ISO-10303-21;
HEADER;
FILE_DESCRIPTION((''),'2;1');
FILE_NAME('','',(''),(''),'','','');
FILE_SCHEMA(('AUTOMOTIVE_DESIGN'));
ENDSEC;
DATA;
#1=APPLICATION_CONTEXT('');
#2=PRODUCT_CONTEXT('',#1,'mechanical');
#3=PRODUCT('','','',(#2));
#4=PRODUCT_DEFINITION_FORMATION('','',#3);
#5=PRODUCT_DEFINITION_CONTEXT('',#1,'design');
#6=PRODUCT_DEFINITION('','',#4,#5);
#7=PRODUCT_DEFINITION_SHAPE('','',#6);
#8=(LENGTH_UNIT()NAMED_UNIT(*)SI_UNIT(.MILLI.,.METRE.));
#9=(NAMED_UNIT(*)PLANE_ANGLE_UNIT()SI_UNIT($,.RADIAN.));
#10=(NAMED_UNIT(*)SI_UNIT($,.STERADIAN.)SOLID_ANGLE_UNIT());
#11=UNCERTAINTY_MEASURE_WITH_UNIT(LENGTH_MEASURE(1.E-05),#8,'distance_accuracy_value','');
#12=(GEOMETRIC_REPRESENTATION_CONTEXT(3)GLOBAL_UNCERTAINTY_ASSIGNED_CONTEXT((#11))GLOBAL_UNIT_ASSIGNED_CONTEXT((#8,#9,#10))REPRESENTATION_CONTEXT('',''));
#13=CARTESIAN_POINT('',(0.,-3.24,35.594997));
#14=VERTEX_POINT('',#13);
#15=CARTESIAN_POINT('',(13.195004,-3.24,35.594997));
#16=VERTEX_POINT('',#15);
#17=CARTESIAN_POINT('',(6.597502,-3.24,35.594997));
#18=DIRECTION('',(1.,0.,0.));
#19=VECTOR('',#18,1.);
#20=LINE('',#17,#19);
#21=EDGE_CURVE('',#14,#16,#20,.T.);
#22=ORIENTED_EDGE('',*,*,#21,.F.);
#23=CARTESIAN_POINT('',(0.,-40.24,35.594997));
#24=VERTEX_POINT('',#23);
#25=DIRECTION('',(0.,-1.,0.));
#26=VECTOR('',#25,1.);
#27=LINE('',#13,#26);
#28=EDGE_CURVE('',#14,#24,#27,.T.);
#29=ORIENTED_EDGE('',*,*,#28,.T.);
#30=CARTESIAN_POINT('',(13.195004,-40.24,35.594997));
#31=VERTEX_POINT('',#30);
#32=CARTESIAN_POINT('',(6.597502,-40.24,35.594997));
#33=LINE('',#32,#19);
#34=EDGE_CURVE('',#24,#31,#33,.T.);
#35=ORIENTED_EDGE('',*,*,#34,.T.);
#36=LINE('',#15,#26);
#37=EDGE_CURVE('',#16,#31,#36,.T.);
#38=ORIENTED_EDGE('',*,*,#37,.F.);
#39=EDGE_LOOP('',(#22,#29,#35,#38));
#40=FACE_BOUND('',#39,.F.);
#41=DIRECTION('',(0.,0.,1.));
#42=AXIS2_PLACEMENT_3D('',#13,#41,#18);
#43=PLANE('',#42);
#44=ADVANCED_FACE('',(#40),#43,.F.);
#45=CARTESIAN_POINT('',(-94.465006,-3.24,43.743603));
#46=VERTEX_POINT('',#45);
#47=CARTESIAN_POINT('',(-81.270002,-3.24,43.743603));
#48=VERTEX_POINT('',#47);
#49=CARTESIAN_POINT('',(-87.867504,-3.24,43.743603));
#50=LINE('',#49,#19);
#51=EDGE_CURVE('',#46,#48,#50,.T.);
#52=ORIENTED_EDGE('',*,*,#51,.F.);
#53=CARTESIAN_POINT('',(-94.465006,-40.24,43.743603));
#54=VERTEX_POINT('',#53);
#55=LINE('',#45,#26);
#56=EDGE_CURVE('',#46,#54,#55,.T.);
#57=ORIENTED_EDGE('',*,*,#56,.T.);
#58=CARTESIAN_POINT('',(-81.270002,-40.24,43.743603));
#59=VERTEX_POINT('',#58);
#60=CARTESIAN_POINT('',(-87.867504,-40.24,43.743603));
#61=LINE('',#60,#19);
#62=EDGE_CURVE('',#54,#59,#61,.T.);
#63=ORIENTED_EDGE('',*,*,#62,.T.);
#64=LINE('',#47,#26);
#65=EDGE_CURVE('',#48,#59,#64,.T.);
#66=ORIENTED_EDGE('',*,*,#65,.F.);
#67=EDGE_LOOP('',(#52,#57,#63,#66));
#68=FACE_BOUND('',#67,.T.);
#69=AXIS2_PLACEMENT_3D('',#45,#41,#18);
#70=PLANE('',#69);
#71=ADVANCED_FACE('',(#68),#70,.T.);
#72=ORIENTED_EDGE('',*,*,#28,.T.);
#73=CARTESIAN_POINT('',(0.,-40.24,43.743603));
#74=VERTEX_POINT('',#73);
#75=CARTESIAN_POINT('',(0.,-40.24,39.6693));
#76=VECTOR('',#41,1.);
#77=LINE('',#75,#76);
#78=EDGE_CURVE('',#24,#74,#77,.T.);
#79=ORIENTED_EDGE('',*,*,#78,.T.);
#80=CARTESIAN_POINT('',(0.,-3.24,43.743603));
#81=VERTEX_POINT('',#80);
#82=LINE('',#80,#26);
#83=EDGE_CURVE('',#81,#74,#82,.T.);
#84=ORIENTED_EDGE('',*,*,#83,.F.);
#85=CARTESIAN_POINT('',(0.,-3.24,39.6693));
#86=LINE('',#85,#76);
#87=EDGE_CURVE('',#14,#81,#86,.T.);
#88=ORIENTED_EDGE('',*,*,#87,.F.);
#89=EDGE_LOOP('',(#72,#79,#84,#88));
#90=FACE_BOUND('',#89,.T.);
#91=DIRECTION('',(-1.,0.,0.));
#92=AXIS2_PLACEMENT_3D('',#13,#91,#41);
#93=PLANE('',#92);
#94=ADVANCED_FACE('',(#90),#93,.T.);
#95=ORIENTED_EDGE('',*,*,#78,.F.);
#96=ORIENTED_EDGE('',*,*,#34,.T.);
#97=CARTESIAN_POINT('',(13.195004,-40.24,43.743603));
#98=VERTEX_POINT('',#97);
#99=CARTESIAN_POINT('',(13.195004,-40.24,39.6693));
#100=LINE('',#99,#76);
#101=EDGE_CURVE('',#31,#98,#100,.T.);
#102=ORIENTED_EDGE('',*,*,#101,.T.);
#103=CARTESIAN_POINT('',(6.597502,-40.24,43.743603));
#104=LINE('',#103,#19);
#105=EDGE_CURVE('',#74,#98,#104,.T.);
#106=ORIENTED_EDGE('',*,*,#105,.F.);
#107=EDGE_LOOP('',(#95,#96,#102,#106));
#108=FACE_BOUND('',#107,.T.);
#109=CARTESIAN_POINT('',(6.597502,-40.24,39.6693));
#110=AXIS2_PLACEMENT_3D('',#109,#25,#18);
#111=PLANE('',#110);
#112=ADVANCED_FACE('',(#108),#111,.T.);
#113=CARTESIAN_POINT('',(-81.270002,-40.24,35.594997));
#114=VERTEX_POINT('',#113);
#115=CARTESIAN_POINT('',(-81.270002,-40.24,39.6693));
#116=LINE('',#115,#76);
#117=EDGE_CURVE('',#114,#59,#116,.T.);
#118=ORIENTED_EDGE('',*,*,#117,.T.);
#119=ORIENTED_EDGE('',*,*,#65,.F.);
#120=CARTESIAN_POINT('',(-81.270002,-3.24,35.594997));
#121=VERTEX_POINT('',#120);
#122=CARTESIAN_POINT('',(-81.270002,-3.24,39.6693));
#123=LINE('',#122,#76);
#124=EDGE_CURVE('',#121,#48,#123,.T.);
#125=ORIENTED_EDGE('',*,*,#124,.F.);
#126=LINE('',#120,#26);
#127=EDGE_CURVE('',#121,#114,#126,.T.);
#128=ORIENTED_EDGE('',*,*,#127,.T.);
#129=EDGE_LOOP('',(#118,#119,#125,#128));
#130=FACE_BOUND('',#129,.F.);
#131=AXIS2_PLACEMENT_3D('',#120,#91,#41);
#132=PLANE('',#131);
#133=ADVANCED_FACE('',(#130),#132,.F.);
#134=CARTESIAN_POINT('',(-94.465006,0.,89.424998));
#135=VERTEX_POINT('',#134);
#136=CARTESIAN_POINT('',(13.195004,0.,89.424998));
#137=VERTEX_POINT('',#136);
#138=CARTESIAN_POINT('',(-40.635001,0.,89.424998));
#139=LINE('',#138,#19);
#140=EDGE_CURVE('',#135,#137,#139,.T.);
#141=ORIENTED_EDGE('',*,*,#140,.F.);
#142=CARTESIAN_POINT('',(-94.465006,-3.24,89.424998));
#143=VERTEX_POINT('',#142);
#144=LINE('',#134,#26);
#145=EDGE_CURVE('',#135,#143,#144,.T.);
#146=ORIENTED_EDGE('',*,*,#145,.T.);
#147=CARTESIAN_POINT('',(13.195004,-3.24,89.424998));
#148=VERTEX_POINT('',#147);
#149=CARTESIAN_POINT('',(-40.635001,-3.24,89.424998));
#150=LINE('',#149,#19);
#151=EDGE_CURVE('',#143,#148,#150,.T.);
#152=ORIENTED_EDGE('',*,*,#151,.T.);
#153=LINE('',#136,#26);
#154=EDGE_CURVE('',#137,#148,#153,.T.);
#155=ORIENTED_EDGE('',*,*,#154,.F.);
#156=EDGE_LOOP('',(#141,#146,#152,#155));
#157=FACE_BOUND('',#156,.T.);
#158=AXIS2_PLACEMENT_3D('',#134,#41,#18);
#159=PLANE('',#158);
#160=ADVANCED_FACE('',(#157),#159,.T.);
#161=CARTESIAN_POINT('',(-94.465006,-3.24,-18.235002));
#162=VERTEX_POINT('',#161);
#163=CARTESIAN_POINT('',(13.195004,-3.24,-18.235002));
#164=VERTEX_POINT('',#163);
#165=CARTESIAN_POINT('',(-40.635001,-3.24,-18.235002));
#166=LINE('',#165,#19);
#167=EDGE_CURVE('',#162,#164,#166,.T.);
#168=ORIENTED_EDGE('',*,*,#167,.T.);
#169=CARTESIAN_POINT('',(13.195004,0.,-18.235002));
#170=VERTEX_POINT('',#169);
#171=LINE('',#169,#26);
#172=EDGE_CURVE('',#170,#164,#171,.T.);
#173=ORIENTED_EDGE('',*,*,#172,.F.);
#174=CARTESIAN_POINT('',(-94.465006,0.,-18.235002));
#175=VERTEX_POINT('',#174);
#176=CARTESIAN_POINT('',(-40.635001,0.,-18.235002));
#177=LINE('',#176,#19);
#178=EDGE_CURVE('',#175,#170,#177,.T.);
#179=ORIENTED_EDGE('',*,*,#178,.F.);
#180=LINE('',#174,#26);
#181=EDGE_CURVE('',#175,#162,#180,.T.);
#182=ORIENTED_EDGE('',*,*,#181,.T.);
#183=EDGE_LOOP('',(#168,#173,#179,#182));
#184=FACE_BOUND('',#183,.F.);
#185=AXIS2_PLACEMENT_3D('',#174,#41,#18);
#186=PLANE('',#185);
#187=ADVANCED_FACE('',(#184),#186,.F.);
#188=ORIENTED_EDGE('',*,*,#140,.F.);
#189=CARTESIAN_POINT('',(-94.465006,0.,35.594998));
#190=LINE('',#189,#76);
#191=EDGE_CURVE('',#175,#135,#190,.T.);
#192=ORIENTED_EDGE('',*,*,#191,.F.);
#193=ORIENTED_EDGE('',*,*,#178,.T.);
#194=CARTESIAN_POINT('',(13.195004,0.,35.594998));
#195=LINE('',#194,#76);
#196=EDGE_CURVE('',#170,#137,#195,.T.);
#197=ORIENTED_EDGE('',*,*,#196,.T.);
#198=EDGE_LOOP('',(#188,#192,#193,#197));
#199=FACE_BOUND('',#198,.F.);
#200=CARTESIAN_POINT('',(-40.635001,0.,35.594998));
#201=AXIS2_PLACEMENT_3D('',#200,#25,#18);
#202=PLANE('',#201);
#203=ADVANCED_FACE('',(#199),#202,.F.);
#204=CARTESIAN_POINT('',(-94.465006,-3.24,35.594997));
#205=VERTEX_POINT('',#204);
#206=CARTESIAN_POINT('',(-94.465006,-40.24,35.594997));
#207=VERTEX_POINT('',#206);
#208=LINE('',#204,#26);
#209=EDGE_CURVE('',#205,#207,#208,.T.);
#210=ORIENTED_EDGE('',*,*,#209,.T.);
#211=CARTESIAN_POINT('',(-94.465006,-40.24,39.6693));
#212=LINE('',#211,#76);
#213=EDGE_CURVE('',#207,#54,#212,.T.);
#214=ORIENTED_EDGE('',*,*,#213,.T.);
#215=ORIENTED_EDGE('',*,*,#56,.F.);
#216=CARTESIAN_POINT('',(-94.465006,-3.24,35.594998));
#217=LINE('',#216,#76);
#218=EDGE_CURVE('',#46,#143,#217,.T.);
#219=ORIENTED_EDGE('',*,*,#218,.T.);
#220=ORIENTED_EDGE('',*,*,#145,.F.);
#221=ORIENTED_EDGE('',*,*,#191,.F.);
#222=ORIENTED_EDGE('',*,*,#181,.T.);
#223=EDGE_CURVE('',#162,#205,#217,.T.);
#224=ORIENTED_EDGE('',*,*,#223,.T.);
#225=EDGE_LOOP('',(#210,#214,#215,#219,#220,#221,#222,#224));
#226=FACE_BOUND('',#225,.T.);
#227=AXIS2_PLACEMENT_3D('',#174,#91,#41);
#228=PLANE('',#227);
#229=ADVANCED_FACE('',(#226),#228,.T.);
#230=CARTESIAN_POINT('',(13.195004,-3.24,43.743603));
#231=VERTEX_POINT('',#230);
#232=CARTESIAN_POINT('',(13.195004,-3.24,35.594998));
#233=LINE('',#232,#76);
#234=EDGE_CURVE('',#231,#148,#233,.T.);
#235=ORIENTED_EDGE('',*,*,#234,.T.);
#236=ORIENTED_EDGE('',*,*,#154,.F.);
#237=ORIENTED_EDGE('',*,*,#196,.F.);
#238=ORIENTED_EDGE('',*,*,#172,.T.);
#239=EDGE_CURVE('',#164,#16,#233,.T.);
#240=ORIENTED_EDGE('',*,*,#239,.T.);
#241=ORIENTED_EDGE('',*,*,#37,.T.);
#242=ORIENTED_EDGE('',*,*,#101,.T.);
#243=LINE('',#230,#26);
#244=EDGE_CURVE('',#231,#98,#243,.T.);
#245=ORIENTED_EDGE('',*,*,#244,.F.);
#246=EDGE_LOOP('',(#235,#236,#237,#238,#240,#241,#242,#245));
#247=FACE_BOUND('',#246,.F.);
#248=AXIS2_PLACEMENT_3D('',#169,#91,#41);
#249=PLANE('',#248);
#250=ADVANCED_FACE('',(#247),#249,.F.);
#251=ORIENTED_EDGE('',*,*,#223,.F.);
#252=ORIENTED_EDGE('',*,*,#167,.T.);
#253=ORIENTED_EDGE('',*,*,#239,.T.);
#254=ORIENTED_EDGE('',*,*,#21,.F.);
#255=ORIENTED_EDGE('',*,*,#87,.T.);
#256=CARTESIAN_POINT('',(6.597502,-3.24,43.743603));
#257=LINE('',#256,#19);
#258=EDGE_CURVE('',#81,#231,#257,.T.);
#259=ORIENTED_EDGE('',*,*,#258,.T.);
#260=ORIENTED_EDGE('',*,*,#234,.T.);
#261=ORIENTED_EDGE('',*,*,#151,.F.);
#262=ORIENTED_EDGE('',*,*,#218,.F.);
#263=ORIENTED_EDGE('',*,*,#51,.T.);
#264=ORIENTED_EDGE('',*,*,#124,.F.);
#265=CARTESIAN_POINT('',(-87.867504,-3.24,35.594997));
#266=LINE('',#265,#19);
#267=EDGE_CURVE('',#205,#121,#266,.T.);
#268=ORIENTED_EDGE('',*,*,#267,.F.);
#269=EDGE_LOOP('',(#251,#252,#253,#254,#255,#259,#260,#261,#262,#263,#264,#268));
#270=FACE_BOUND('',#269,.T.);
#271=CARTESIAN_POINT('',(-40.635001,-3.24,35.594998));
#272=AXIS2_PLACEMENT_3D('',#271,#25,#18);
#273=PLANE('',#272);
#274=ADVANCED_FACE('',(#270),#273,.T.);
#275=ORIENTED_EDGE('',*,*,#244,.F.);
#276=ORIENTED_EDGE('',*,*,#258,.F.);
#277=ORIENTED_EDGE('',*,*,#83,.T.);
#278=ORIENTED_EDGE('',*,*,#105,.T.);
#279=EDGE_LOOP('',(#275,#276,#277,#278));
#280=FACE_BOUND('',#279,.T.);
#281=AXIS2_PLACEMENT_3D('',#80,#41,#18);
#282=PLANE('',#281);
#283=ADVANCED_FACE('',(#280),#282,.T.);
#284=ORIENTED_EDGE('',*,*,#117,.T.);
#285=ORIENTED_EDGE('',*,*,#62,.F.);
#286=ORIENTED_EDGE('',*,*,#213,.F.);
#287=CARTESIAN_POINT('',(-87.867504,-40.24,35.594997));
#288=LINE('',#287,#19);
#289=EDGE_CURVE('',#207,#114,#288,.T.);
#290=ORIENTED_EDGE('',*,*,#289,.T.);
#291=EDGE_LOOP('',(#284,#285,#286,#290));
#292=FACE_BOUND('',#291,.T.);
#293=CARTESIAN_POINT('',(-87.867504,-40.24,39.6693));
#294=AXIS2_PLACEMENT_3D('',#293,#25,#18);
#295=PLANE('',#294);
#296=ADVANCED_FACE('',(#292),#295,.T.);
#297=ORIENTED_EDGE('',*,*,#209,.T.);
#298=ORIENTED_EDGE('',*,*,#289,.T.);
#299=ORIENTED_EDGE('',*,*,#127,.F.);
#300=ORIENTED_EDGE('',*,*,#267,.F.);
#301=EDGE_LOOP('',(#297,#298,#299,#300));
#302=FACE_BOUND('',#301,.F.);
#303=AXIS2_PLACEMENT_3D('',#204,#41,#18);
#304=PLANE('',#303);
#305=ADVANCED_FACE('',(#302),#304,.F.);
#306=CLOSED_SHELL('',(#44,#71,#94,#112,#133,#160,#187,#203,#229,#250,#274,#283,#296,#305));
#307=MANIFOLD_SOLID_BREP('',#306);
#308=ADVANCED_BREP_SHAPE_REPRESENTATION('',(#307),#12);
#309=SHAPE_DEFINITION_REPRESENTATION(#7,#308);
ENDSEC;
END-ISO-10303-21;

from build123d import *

# Parameters (mm, degrees)
F0_W     = 107.66001
F0_H     = 107.66
F1_DEPTH = 3.24
F2_W     = 13.195004
F2_H     = 8.148605
F3_DEPTH = 37


with BuildPart() as f1:
    # F0 (on Front) → F1 (new body)
    with BuildSketch(Plane.XZ):
        with Locations((-40.635001, 35.594998)):
            Rectangle(F0_W, F0_H)
    extrude(amount=F1_DEPTH)

    # F2 (on face) → F3 (join)
    with BuildSketch(Plane.XZ.offset(3.24)):
        with Locations((-87.867504, 39.6693)):
            Rectangle(F2_W, F2_H)
        with Locations((6.597502, 39.6693)):
            Rectangle(F2_W, F2_H)
    extrude(amount=F3_DEPTH)


solid = f1.part
